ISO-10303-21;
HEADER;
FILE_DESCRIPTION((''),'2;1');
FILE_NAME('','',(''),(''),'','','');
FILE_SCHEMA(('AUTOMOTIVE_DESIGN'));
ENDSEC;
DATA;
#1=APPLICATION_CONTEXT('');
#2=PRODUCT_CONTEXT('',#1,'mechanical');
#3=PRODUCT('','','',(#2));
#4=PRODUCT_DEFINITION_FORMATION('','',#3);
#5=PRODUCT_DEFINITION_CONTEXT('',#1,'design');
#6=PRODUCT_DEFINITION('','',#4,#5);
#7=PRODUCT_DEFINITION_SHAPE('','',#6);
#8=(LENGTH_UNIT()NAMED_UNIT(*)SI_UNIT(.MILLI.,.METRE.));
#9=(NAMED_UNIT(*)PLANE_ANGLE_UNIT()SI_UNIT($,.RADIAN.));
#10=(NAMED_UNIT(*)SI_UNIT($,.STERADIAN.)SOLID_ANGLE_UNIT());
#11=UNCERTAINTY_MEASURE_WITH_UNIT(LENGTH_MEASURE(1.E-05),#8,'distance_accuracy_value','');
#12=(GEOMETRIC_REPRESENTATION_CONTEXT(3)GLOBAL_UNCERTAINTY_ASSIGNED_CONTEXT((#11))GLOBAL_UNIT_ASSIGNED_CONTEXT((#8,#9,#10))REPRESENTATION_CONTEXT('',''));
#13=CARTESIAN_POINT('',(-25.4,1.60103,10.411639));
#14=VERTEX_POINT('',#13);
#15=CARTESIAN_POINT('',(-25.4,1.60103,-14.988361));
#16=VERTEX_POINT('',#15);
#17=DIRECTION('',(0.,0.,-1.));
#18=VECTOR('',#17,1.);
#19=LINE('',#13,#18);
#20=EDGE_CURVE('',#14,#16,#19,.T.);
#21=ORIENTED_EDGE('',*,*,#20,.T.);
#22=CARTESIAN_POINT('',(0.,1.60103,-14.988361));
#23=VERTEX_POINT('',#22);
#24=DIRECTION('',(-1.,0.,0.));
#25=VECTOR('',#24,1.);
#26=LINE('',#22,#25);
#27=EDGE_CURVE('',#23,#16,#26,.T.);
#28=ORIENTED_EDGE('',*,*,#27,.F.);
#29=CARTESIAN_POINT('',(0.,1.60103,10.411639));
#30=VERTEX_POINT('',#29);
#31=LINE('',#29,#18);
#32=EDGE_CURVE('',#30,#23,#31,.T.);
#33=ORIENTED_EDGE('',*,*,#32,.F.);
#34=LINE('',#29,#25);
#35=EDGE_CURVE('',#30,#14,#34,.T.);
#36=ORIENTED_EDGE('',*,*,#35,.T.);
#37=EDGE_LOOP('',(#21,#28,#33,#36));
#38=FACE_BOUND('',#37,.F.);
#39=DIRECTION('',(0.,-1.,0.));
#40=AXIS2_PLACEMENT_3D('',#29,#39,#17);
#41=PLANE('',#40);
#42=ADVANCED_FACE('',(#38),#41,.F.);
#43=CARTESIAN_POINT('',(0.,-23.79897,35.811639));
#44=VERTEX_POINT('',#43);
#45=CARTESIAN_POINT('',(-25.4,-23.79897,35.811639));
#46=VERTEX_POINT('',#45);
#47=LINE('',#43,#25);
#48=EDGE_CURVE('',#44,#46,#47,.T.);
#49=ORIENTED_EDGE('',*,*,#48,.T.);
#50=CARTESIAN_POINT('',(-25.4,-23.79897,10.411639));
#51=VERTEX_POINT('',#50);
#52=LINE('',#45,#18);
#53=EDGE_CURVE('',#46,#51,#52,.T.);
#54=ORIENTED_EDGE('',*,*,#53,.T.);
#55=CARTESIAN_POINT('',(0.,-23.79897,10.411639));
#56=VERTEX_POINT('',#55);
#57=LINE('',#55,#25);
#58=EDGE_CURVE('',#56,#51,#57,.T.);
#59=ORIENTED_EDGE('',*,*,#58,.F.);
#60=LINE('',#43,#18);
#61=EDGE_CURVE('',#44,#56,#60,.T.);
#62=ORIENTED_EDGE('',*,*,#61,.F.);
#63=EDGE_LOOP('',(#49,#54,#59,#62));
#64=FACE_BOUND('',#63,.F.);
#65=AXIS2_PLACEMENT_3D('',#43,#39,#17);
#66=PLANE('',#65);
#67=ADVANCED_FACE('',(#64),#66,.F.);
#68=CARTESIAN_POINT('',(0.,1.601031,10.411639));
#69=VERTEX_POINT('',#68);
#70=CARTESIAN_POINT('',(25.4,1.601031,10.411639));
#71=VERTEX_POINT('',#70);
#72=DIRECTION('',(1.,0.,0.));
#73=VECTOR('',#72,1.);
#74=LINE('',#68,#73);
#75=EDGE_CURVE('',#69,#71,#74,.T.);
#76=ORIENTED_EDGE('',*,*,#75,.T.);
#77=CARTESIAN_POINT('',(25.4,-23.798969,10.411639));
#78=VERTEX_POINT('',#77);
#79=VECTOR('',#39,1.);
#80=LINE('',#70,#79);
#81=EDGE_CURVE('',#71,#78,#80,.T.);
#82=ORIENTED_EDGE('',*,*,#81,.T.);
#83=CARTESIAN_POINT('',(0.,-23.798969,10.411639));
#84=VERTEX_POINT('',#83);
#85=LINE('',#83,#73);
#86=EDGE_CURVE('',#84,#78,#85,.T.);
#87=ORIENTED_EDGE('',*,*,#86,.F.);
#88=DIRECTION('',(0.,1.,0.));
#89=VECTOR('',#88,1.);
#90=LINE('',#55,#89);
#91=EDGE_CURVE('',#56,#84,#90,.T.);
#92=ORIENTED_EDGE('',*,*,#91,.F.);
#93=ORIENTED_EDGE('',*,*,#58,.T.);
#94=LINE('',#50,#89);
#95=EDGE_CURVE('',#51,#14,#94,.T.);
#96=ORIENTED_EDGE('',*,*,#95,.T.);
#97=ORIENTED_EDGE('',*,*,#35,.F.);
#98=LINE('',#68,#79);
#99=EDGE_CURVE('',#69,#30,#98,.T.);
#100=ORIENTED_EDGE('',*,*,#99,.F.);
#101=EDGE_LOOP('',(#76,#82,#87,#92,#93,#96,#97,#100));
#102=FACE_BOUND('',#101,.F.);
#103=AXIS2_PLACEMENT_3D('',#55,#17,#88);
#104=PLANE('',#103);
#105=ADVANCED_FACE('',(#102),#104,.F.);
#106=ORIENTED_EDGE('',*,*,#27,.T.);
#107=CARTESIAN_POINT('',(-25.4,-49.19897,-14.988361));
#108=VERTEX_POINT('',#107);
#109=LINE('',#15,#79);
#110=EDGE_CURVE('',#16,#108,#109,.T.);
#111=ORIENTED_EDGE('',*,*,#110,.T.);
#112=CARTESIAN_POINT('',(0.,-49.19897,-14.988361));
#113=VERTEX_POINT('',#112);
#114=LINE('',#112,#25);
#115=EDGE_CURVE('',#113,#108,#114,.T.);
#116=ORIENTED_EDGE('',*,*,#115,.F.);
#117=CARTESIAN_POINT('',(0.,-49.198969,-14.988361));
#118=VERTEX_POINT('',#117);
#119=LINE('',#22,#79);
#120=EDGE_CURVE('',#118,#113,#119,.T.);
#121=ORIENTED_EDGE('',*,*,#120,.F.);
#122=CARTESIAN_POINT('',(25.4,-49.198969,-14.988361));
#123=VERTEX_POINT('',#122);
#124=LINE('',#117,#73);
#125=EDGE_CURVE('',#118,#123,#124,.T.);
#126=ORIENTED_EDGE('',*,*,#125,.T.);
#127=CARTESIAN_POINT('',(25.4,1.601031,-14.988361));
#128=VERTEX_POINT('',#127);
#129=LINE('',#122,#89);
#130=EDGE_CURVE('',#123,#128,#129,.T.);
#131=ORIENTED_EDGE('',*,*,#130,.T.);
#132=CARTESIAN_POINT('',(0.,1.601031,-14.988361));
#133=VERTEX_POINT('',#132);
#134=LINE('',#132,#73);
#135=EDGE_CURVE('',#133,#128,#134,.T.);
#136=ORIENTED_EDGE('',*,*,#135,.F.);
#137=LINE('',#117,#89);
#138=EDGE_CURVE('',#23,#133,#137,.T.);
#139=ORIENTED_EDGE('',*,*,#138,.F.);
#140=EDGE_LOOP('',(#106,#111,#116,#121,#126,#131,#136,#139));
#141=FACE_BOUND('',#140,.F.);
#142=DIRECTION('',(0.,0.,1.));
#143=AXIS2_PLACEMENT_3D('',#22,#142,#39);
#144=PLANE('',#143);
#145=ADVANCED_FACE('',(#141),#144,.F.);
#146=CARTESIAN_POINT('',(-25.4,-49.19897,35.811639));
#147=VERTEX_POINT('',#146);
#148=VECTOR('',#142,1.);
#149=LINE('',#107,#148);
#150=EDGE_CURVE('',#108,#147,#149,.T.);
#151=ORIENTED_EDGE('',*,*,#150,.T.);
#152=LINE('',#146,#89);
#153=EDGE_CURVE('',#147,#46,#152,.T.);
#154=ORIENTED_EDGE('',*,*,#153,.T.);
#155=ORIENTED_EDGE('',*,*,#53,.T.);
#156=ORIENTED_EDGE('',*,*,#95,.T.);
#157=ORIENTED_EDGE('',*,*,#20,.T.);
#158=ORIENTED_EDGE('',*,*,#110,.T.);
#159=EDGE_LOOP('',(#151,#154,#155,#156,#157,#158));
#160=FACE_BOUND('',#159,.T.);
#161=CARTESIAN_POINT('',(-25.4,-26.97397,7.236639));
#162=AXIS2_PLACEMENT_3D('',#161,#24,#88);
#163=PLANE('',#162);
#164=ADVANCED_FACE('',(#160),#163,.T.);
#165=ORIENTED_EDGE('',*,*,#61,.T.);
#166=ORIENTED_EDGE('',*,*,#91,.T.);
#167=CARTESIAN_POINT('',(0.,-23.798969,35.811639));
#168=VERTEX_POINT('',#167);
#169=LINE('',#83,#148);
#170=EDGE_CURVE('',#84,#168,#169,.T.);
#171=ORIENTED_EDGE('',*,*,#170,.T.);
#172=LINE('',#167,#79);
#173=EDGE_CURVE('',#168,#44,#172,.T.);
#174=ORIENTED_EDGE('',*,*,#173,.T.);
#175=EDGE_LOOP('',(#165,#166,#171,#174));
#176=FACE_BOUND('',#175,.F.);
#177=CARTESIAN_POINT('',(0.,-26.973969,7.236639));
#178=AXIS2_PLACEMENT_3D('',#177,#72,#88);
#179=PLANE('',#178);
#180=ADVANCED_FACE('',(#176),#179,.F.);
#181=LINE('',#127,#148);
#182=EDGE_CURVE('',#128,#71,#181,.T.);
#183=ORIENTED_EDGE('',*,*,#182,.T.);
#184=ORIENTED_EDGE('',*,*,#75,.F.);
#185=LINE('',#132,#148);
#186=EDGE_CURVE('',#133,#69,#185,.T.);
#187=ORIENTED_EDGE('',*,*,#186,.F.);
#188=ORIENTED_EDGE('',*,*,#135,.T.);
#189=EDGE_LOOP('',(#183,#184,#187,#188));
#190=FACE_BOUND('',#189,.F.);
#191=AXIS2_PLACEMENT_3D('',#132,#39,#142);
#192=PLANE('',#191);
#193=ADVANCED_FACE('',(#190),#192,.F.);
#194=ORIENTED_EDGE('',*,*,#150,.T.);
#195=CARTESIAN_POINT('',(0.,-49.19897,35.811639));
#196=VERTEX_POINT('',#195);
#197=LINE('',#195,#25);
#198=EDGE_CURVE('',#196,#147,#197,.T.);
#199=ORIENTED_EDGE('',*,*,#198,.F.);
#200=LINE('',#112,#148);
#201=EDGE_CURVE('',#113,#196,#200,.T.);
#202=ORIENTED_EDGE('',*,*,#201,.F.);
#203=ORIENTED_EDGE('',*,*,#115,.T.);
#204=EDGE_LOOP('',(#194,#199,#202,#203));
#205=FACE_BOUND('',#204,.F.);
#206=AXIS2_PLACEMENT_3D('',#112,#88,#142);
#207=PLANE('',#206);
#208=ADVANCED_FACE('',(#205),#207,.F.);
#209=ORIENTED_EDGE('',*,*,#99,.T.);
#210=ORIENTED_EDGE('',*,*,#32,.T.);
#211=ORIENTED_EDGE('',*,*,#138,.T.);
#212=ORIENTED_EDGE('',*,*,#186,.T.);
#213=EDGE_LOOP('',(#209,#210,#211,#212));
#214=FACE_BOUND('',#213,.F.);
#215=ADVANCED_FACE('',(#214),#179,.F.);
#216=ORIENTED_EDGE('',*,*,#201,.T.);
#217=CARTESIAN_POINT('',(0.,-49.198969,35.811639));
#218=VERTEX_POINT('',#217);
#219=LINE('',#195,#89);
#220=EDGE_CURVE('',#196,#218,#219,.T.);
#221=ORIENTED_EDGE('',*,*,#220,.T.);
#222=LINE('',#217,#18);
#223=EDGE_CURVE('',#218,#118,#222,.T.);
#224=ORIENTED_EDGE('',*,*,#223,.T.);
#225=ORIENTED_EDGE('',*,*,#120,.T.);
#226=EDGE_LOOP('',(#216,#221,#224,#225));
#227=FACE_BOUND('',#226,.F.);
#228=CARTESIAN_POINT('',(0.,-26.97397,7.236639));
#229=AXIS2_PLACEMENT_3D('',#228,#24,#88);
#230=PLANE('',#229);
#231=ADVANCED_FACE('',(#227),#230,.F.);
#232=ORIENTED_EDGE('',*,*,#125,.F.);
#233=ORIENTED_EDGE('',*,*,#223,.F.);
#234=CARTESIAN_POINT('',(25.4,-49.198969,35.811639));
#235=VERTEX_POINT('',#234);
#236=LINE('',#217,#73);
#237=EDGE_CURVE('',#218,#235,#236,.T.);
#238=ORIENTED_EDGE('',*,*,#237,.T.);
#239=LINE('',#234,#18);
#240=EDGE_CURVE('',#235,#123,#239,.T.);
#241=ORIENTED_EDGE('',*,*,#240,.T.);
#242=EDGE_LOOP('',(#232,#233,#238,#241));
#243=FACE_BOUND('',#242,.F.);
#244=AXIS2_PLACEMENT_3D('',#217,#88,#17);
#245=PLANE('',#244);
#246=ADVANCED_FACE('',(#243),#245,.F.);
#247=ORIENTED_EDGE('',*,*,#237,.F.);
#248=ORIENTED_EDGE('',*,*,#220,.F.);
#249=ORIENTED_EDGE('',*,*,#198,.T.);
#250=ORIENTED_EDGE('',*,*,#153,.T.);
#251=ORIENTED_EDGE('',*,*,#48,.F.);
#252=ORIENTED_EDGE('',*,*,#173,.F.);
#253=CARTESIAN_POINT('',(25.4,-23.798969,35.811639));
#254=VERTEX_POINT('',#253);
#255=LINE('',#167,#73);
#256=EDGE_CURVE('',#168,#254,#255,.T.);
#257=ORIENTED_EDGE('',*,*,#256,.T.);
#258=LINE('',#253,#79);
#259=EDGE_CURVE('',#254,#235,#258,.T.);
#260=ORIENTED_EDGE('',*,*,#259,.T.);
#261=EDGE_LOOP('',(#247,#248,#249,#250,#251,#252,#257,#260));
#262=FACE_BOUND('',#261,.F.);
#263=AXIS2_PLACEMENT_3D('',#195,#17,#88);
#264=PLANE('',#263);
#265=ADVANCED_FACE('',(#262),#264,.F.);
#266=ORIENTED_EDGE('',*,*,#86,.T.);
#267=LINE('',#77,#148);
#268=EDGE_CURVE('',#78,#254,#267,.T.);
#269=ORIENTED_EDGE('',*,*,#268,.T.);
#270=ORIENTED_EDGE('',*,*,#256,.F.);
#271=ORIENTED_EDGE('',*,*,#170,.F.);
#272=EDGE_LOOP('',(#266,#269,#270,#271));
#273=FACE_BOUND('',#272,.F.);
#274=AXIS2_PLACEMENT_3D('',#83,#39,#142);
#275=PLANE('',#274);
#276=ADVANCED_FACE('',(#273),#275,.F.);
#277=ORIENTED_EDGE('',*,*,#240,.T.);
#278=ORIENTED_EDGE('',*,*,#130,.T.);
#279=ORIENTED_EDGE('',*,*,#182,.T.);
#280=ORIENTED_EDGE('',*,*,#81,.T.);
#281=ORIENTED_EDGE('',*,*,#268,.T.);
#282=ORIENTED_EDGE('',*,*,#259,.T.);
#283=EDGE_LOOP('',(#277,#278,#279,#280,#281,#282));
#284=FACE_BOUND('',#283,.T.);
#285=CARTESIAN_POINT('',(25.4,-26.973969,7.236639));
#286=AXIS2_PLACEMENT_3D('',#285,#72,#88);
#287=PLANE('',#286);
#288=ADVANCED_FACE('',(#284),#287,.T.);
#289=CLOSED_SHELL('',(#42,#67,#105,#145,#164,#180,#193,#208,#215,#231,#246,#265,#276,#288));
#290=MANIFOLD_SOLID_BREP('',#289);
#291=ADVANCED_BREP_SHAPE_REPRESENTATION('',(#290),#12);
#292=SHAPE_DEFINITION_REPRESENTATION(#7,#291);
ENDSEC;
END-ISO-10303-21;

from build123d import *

# Parameters (mm, degrees)
F1_DEPTH = 25.4
F2_DEPTH = 25.4


with BuildPart() as f1:
    # F0 (on Right) → F1 (new body)
    with BuildSketch(Plane.YZ):
        Polygon((-23.798969, 35.811639), (-49.198969, 35.811639), (-49.198969, -14.988361), (1.601031, -14.988361), (1.601031, 10.411639), (-23.798969, 10.411639), align=None)
    extrude(amount=F1_DEPTH)

    # F1_face (on face) → F2 (join)
    with BuildSketch(Plane(origin=(0, -28.032303, 6.178306), x_dir=(0, 1, 0), z_dir=(-1, 0, 0))):
        Polygon((4.233333, -29.633333), (4.233333, -4.233333), (29.633333, -4.233333), (29.633333, 21.166667), (-21.166667, 21.166667), (-21.166667, -29.633333), align=None)
    extrude(amount=F2_DEPTH)


solid = f1.part
